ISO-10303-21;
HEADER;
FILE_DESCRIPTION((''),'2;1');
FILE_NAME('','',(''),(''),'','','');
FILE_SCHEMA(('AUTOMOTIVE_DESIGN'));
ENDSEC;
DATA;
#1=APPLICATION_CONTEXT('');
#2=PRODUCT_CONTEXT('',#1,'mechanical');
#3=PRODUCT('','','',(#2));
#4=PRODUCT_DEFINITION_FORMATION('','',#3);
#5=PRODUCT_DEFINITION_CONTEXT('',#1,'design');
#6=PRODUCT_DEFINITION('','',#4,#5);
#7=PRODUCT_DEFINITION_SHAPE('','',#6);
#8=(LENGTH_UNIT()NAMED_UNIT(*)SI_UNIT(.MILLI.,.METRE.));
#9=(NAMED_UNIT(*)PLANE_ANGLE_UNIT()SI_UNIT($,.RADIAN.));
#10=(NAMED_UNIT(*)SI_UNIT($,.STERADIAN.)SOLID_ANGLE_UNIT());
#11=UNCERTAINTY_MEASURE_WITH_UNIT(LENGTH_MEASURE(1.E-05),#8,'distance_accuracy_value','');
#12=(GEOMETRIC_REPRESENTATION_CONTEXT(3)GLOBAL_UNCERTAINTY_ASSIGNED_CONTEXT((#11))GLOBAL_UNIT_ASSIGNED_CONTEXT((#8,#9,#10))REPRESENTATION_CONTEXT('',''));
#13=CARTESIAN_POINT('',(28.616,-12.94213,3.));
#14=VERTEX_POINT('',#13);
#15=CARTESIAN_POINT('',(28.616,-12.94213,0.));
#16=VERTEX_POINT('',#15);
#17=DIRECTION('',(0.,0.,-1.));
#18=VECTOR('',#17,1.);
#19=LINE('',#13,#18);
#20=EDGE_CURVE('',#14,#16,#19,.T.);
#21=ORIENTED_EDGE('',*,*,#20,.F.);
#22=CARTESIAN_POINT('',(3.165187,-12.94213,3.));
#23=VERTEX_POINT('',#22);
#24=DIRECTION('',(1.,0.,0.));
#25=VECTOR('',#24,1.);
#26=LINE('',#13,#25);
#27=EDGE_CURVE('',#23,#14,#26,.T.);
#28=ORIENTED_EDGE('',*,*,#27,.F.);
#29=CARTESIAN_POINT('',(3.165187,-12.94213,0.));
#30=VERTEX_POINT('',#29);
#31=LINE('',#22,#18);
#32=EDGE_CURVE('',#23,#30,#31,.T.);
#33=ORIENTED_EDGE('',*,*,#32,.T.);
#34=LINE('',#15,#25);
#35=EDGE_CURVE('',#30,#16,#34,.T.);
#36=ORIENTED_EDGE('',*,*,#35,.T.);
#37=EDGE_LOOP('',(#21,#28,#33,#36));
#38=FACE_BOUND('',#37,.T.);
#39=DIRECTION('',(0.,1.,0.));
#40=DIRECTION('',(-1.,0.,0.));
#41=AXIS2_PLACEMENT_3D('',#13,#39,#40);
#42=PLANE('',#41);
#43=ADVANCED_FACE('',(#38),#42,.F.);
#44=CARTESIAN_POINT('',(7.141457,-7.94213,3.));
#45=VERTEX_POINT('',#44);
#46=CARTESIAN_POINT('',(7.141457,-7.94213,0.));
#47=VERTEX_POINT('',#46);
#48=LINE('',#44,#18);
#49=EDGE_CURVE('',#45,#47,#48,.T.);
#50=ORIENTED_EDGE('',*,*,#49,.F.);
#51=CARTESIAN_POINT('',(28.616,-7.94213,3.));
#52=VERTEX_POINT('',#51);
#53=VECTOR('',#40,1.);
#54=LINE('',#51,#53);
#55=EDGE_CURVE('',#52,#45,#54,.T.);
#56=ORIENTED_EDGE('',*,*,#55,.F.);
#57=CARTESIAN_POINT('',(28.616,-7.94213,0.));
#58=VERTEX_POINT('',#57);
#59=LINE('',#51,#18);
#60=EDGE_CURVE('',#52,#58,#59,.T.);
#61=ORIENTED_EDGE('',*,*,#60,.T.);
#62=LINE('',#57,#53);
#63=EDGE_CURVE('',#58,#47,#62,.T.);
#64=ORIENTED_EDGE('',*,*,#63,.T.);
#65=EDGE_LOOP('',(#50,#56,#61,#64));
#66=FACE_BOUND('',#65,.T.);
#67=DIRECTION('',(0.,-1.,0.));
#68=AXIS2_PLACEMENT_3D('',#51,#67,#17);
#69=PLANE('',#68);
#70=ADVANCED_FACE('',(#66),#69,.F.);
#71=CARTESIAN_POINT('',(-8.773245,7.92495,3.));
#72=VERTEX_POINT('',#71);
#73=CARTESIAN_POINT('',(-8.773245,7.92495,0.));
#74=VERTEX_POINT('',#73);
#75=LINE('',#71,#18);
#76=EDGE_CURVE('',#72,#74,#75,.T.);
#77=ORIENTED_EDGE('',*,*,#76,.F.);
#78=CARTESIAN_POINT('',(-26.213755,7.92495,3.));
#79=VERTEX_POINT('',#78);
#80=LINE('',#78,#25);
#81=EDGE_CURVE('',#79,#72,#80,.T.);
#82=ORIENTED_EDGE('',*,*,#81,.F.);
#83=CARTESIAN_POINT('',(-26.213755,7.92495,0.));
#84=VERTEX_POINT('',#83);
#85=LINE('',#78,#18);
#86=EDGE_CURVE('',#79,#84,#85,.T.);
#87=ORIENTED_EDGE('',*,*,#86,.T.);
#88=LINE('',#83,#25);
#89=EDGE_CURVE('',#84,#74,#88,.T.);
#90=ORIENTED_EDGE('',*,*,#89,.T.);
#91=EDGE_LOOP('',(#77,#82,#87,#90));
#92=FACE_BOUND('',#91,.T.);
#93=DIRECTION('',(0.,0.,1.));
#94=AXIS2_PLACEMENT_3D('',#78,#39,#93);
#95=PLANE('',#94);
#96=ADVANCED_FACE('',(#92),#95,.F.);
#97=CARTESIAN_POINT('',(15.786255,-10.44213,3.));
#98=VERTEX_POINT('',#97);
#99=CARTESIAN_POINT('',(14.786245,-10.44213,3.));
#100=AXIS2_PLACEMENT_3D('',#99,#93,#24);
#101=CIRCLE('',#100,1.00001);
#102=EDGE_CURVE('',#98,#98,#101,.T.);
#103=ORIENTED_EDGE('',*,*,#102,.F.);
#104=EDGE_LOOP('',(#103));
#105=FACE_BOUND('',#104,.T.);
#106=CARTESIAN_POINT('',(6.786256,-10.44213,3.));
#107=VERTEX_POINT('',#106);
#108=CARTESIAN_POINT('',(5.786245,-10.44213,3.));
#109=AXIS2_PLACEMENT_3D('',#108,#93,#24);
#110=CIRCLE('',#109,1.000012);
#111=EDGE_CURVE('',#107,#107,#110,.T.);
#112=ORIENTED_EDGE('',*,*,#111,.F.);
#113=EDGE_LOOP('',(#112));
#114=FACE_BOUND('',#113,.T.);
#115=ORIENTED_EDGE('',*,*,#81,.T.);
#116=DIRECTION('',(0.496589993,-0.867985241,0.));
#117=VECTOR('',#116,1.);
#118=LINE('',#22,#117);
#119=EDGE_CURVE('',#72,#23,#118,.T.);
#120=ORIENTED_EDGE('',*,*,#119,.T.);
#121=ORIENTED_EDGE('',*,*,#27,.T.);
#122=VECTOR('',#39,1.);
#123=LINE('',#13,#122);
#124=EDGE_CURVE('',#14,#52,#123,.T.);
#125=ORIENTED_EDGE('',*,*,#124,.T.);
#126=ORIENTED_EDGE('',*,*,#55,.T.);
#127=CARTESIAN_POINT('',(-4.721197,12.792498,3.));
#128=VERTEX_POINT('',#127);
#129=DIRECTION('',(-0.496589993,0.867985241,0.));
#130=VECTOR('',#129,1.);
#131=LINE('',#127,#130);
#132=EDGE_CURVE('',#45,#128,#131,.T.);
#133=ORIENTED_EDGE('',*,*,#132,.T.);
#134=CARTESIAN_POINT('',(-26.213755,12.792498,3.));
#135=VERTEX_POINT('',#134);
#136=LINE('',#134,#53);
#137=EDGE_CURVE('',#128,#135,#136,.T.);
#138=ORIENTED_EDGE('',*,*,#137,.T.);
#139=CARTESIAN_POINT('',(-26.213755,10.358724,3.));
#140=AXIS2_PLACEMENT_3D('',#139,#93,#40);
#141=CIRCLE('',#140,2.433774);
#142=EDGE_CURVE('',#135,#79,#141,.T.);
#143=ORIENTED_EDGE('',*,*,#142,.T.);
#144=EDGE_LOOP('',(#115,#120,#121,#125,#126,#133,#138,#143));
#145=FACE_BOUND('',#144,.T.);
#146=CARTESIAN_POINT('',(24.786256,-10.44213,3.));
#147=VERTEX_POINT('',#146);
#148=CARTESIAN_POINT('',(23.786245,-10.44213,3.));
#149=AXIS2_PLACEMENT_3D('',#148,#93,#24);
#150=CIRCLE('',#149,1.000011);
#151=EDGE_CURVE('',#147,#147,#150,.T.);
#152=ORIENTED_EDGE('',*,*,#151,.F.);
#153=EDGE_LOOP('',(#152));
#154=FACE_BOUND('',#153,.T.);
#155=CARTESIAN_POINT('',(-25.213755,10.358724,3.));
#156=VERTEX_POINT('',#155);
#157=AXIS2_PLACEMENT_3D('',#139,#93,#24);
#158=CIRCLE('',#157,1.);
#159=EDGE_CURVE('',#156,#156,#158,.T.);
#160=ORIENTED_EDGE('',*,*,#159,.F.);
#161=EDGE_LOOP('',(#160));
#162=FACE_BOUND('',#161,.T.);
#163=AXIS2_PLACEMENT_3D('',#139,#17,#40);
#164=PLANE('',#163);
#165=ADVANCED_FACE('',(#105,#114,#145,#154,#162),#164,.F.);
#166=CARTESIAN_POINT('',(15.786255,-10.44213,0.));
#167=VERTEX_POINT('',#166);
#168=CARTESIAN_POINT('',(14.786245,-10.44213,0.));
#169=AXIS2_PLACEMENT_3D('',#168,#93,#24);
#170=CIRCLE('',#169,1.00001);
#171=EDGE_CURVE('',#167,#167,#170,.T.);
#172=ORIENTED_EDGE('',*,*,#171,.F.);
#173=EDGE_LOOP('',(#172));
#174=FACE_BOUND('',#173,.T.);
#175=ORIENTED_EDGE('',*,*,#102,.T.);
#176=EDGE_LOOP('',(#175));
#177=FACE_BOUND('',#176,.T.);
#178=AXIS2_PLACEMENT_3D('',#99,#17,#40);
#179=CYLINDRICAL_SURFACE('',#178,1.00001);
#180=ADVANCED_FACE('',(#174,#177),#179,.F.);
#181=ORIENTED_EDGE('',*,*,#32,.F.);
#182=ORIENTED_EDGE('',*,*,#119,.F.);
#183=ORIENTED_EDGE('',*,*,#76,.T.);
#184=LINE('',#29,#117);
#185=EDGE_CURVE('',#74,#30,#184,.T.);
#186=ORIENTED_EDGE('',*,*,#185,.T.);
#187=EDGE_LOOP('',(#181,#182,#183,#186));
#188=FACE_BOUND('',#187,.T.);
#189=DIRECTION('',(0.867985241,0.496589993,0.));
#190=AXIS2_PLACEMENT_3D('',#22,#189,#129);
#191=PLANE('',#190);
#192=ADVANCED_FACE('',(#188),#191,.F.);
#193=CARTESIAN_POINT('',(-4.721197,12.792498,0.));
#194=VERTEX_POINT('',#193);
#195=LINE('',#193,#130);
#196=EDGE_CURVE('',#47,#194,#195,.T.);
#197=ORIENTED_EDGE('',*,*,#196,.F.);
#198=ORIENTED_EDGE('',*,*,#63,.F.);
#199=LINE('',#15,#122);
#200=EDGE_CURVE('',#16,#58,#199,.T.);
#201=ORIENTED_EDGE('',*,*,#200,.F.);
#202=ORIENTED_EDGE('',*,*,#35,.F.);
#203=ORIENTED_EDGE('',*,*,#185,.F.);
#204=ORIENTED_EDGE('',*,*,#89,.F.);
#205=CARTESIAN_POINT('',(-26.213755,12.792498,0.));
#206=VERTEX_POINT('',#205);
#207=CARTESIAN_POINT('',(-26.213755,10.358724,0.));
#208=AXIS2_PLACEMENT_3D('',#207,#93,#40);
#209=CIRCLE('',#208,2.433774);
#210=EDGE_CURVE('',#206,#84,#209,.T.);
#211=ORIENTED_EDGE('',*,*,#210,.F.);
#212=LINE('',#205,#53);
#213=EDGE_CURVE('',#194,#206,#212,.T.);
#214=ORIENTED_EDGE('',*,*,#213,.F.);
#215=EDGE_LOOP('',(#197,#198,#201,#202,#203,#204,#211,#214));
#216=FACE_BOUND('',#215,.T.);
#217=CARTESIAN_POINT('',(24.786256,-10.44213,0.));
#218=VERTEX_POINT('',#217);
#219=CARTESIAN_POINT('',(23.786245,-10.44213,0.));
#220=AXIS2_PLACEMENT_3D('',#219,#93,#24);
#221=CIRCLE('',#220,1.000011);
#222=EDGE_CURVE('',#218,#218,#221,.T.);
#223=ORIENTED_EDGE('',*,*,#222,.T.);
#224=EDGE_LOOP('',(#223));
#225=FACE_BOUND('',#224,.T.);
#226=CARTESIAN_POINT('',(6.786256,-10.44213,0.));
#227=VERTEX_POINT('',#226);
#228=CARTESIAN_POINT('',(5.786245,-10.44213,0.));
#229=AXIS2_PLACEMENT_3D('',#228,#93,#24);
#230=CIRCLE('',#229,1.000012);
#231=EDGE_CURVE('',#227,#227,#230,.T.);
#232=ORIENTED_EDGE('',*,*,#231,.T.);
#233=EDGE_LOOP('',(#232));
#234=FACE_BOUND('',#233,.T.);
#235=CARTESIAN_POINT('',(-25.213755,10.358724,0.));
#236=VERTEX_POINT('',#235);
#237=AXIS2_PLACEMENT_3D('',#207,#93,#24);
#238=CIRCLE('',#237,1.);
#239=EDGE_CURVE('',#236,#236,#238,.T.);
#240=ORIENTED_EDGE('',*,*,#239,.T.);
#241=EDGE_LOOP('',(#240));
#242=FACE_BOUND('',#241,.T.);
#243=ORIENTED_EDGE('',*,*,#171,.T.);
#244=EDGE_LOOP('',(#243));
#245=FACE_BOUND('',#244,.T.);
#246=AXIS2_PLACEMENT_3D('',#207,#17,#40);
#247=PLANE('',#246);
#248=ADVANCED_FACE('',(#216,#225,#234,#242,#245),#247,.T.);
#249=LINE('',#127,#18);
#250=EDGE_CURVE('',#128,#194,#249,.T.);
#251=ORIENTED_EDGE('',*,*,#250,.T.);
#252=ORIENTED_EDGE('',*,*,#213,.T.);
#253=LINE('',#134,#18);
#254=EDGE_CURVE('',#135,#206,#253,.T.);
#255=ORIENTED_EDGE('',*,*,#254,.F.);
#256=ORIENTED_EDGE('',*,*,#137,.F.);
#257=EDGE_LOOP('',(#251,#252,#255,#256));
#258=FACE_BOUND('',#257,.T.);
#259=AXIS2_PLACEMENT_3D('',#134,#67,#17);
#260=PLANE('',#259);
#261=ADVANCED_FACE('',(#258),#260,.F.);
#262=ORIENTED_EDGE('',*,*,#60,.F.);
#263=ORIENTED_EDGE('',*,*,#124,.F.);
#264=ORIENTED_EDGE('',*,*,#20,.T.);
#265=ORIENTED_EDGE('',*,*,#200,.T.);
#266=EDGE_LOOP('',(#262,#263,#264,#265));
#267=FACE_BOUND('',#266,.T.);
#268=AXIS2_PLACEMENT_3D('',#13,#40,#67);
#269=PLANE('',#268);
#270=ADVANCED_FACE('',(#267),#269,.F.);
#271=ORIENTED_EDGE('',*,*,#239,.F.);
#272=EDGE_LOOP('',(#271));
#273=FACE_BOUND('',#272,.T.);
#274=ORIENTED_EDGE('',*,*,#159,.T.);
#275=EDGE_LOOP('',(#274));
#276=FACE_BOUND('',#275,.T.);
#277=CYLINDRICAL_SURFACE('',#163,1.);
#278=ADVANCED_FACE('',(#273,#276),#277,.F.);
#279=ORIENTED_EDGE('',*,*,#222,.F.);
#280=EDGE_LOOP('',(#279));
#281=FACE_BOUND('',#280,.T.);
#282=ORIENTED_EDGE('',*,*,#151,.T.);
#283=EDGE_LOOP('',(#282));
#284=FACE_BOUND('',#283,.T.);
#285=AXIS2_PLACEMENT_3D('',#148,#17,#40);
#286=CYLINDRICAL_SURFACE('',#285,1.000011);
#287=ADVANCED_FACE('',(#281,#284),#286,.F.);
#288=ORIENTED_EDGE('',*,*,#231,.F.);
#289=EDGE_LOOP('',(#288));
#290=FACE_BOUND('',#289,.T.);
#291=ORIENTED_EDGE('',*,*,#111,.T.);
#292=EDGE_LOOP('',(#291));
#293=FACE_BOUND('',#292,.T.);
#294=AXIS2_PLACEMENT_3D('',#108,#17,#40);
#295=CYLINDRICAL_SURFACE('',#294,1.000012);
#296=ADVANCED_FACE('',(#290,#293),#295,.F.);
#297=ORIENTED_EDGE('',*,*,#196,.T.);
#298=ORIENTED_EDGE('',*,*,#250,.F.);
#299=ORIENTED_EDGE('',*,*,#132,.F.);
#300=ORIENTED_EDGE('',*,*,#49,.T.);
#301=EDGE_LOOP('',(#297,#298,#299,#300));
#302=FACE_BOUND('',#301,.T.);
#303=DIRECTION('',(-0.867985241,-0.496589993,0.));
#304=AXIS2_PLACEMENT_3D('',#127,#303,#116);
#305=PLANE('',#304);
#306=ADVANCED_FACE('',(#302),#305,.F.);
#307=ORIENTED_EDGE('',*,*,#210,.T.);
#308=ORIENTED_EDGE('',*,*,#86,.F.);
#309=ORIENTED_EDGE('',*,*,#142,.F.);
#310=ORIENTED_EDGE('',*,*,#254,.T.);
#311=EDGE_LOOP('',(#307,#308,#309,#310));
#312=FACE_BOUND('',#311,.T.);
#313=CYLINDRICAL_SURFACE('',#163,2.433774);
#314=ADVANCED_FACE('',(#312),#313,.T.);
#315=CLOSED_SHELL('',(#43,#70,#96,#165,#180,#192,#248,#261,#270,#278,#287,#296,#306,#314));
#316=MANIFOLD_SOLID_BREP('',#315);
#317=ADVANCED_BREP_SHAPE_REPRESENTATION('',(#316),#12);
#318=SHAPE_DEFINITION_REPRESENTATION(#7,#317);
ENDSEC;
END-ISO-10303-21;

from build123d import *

# Parameters (mm, degrees)
SKETCH_1_R      = 1.000011627
SKETCH_1_R_2    = 1.000010171
SKETCH_1_R_3    = 1.000011034
SKETCH_1_R_4    = 1
EXTRUDE_1_DEPTH = 3


with BuildPart() as part:
    # 草图1 → 凸台-拉伸1 (new body)
    with BuildSketch(Plane.XY):
        with BuildLine():
            Line((28.616000433, -12.942129643), (28.616000433, -7.942129643))
            Line((28.616000433, -7.942129643), (7.141456549, -7.942129643))
            Line((7.141456549, -7.942129643), (-4.721197167, 12.792497513))
            Line((-4.721197167, 12.792497513), (-26.213755395, 12.792497513))
            ThreePointArc((-26.213755395, 12.792497513), (-28.647529033, 10.358723875), (-26.213755395, 7.924950238))
            Line((-26.213755395, 7.924950238), (-8.773244901, 7.924950238))
            Line((-8.773244901, 7.924950238), (3.165187405, -12.942129643))
            Line((3.165187405, -12.942129643), (28.616000433, -12.942129643))
        make_face()
        with Locations((5.786244634, -10.442129643)):
            Circle(SKETCH_1_R, mode=Mode.SUBTRACT)
        with Locations((14.786244634, -10.442129643)):
            Circle(SKETCH_1_R_2, mode=Mode.SUBTRACT)
        with Locations((23.786244634, -10.442129643)):
            Circle(SKETCH_1_R_3, mode=Mode.SUBTRACT)
        with Locations((-26.213755395, 10.358723875)):
            Circle(SKETCH_1_R_4, mode=Mode.SUBTRACT)
    extrude(amount=EXTRUDE_1_DEPTH)


solid = part.part
